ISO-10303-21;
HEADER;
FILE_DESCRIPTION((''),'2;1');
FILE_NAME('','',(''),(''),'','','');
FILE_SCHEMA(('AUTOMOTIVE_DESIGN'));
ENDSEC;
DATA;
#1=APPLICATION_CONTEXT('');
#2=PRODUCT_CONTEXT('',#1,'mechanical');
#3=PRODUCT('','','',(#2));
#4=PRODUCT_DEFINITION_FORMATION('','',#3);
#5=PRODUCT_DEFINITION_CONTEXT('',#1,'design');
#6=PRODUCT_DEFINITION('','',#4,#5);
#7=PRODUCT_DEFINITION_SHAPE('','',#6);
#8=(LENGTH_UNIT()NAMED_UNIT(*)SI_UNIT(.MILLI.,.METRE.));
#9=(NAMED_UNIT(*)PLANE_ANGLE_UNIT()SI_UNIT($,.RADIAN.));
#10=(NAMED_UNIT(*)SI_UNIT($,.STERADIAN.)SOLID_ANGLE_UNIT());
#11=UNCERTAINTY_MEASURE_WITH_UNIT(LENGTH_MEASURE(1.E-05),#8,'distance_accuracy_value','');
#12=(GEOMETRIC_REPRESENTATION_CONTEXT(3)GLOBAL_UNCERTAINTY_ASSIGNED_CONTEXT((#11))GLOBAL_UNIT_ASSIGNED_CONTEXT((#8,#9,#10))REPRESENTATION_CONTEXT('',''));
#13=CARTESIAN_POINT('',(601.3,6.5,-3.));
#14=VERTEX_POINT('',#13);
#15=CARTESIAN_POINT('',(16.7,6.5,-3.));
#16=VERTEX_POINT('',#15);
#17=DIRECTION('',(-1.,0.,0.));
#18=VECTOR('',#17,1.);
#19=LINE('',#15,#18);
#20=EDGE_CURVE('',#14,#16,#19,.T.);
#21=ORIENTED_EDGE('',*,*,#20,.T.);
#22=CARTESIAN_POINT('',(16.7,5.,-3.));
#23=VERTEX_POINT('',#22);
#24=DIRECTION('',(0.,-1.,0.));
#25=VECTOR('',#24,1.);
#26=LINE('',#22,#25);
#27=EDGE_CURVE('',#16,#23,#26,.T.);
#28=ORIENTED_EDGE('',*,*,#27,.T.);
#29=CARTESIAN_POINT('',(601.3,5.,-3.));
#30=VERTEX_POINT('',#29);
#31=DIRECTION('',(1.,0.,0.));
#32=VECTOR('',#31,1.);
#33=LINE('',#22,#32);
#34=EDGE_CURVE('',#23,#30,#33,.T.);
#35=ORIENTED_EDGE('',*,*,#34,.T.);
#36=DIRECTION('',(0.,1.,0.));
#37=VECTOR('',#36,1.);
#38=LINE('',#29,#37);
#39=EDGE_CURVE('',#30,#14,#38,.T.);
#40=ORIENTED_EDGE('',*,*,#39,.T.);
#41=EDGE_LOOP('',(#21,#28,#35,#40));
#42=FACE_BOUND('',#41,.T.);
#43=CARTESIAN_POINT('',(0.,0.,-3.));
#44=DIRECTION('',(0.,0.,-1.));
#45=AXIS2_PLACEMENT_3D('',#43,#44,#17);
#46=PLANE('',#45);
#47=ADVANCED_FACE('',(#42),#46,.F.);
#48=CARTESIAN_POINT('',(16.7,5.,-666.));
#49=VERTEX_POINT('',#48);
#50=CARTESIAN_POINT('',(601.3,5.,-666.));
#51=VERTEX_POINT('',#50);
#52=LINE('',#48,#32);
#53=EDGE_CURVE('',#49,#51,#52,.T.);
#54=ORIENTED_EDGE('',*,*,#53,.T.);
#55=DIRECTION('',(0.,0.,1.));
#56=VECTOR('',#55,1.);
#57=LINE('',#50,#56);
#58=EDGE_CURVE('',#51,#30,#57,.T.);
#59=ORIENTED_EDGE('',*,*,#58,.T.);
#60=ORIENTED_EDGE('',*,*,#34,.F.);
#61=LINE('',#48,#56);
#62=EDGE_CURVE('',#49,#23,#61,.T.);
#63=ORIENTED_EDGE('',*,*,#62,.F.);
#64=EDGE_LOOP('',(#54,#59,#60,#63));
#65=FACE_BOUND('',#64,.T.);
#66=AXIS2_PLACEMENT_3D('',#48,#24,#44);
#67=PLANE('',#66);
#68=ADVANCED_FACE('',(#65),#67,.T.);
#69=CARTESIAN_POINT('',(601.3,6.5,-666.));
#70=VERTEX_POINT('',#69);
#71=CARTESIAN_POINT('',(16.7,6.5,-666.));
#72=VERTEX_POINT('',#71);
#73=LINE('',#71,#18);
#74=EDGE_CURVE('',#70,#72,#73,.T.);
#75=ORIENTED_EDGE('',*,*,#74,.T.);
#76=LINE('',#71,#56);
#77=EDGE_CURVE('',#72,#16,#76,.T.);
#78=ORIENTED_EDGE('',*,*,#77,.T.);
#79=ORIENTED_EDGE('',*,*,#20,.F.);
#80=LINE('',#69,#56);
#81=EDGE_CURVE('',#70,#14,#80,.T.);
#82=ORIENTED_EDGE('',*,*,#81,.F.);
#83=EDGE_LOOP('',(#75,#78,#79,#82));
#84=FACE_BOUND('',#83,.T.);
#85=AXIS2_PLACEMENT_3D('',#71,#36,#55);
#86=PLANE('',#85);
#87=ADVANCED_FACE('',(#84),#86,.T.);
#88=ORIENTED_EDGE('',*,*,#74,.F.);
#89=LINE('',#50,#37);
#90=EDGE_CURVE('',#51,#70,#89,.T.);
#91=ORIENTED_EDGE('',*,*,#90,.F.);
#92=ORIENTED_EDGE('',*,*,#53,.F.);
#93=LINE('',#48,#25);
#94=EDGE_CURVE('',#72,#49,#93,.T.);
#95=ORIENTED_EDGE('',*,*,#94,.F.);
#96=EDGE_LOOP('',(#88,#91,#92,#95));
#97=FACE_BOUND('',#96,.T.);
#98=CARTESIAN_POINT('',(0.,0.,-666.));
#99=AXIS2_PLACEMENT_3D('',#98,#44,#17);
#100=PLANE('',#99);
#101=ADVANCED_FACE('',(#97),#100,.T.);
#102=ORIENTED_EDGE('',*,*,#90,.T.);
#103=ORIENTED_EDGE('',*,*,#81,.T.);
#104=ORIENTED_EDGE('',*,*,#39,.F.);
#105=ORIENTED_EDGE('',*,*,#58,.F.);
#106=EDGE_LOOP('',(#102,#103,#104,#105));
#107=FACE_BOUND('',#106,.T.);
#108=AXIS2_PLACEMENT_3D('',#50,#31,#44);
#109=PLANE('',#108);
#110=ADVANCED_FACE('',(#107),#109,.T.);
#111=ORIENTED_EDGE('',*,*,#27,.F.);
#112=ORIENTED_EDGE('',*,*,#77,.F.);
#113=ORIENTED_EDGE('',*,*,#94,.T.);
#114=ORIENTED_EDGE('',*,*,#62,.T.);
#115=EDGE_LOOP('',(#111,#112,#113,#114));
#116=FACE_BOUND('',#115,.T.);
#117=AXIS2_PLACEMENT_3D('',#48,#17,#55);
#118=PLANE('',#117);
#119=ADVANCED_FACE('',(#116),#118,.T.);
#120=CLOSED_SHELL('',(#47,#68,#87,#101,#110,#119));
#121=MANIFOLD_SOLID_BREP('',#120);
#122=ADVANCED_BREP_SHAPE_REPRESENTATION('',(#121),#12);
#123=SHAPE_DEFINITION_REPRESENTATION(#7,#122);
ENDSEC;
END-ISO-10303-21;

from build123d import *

# Parameters (mm, degrees)
CEK_1L_TEPSI_TABAN_SACI_1_5_1_START = -3
SKETCH1_W                           = 584.6
SKETCH1_H                           = 1.5
CEK_1L_TEPSI_TABAN_SACI_1_5_1_DEPTH = 663


with BuildPart() as part:
    # Sketch1 → CEK_1L_tepsi_taban_saci_1.5_1 (new body)
    with BuildSketch(Plane.XY.offset(CEK_1L_TEPSI_TABAN_SACI_1_5_1_START)):
        with Locations((309, 5.75)):
            Rectangle(SKETCH1_W, SKETCH1_H)
    extrude(amount=-CEK_1L_TEPSI_TABAN_SACI_1_5_1_DEPTH)


solid = part.part
